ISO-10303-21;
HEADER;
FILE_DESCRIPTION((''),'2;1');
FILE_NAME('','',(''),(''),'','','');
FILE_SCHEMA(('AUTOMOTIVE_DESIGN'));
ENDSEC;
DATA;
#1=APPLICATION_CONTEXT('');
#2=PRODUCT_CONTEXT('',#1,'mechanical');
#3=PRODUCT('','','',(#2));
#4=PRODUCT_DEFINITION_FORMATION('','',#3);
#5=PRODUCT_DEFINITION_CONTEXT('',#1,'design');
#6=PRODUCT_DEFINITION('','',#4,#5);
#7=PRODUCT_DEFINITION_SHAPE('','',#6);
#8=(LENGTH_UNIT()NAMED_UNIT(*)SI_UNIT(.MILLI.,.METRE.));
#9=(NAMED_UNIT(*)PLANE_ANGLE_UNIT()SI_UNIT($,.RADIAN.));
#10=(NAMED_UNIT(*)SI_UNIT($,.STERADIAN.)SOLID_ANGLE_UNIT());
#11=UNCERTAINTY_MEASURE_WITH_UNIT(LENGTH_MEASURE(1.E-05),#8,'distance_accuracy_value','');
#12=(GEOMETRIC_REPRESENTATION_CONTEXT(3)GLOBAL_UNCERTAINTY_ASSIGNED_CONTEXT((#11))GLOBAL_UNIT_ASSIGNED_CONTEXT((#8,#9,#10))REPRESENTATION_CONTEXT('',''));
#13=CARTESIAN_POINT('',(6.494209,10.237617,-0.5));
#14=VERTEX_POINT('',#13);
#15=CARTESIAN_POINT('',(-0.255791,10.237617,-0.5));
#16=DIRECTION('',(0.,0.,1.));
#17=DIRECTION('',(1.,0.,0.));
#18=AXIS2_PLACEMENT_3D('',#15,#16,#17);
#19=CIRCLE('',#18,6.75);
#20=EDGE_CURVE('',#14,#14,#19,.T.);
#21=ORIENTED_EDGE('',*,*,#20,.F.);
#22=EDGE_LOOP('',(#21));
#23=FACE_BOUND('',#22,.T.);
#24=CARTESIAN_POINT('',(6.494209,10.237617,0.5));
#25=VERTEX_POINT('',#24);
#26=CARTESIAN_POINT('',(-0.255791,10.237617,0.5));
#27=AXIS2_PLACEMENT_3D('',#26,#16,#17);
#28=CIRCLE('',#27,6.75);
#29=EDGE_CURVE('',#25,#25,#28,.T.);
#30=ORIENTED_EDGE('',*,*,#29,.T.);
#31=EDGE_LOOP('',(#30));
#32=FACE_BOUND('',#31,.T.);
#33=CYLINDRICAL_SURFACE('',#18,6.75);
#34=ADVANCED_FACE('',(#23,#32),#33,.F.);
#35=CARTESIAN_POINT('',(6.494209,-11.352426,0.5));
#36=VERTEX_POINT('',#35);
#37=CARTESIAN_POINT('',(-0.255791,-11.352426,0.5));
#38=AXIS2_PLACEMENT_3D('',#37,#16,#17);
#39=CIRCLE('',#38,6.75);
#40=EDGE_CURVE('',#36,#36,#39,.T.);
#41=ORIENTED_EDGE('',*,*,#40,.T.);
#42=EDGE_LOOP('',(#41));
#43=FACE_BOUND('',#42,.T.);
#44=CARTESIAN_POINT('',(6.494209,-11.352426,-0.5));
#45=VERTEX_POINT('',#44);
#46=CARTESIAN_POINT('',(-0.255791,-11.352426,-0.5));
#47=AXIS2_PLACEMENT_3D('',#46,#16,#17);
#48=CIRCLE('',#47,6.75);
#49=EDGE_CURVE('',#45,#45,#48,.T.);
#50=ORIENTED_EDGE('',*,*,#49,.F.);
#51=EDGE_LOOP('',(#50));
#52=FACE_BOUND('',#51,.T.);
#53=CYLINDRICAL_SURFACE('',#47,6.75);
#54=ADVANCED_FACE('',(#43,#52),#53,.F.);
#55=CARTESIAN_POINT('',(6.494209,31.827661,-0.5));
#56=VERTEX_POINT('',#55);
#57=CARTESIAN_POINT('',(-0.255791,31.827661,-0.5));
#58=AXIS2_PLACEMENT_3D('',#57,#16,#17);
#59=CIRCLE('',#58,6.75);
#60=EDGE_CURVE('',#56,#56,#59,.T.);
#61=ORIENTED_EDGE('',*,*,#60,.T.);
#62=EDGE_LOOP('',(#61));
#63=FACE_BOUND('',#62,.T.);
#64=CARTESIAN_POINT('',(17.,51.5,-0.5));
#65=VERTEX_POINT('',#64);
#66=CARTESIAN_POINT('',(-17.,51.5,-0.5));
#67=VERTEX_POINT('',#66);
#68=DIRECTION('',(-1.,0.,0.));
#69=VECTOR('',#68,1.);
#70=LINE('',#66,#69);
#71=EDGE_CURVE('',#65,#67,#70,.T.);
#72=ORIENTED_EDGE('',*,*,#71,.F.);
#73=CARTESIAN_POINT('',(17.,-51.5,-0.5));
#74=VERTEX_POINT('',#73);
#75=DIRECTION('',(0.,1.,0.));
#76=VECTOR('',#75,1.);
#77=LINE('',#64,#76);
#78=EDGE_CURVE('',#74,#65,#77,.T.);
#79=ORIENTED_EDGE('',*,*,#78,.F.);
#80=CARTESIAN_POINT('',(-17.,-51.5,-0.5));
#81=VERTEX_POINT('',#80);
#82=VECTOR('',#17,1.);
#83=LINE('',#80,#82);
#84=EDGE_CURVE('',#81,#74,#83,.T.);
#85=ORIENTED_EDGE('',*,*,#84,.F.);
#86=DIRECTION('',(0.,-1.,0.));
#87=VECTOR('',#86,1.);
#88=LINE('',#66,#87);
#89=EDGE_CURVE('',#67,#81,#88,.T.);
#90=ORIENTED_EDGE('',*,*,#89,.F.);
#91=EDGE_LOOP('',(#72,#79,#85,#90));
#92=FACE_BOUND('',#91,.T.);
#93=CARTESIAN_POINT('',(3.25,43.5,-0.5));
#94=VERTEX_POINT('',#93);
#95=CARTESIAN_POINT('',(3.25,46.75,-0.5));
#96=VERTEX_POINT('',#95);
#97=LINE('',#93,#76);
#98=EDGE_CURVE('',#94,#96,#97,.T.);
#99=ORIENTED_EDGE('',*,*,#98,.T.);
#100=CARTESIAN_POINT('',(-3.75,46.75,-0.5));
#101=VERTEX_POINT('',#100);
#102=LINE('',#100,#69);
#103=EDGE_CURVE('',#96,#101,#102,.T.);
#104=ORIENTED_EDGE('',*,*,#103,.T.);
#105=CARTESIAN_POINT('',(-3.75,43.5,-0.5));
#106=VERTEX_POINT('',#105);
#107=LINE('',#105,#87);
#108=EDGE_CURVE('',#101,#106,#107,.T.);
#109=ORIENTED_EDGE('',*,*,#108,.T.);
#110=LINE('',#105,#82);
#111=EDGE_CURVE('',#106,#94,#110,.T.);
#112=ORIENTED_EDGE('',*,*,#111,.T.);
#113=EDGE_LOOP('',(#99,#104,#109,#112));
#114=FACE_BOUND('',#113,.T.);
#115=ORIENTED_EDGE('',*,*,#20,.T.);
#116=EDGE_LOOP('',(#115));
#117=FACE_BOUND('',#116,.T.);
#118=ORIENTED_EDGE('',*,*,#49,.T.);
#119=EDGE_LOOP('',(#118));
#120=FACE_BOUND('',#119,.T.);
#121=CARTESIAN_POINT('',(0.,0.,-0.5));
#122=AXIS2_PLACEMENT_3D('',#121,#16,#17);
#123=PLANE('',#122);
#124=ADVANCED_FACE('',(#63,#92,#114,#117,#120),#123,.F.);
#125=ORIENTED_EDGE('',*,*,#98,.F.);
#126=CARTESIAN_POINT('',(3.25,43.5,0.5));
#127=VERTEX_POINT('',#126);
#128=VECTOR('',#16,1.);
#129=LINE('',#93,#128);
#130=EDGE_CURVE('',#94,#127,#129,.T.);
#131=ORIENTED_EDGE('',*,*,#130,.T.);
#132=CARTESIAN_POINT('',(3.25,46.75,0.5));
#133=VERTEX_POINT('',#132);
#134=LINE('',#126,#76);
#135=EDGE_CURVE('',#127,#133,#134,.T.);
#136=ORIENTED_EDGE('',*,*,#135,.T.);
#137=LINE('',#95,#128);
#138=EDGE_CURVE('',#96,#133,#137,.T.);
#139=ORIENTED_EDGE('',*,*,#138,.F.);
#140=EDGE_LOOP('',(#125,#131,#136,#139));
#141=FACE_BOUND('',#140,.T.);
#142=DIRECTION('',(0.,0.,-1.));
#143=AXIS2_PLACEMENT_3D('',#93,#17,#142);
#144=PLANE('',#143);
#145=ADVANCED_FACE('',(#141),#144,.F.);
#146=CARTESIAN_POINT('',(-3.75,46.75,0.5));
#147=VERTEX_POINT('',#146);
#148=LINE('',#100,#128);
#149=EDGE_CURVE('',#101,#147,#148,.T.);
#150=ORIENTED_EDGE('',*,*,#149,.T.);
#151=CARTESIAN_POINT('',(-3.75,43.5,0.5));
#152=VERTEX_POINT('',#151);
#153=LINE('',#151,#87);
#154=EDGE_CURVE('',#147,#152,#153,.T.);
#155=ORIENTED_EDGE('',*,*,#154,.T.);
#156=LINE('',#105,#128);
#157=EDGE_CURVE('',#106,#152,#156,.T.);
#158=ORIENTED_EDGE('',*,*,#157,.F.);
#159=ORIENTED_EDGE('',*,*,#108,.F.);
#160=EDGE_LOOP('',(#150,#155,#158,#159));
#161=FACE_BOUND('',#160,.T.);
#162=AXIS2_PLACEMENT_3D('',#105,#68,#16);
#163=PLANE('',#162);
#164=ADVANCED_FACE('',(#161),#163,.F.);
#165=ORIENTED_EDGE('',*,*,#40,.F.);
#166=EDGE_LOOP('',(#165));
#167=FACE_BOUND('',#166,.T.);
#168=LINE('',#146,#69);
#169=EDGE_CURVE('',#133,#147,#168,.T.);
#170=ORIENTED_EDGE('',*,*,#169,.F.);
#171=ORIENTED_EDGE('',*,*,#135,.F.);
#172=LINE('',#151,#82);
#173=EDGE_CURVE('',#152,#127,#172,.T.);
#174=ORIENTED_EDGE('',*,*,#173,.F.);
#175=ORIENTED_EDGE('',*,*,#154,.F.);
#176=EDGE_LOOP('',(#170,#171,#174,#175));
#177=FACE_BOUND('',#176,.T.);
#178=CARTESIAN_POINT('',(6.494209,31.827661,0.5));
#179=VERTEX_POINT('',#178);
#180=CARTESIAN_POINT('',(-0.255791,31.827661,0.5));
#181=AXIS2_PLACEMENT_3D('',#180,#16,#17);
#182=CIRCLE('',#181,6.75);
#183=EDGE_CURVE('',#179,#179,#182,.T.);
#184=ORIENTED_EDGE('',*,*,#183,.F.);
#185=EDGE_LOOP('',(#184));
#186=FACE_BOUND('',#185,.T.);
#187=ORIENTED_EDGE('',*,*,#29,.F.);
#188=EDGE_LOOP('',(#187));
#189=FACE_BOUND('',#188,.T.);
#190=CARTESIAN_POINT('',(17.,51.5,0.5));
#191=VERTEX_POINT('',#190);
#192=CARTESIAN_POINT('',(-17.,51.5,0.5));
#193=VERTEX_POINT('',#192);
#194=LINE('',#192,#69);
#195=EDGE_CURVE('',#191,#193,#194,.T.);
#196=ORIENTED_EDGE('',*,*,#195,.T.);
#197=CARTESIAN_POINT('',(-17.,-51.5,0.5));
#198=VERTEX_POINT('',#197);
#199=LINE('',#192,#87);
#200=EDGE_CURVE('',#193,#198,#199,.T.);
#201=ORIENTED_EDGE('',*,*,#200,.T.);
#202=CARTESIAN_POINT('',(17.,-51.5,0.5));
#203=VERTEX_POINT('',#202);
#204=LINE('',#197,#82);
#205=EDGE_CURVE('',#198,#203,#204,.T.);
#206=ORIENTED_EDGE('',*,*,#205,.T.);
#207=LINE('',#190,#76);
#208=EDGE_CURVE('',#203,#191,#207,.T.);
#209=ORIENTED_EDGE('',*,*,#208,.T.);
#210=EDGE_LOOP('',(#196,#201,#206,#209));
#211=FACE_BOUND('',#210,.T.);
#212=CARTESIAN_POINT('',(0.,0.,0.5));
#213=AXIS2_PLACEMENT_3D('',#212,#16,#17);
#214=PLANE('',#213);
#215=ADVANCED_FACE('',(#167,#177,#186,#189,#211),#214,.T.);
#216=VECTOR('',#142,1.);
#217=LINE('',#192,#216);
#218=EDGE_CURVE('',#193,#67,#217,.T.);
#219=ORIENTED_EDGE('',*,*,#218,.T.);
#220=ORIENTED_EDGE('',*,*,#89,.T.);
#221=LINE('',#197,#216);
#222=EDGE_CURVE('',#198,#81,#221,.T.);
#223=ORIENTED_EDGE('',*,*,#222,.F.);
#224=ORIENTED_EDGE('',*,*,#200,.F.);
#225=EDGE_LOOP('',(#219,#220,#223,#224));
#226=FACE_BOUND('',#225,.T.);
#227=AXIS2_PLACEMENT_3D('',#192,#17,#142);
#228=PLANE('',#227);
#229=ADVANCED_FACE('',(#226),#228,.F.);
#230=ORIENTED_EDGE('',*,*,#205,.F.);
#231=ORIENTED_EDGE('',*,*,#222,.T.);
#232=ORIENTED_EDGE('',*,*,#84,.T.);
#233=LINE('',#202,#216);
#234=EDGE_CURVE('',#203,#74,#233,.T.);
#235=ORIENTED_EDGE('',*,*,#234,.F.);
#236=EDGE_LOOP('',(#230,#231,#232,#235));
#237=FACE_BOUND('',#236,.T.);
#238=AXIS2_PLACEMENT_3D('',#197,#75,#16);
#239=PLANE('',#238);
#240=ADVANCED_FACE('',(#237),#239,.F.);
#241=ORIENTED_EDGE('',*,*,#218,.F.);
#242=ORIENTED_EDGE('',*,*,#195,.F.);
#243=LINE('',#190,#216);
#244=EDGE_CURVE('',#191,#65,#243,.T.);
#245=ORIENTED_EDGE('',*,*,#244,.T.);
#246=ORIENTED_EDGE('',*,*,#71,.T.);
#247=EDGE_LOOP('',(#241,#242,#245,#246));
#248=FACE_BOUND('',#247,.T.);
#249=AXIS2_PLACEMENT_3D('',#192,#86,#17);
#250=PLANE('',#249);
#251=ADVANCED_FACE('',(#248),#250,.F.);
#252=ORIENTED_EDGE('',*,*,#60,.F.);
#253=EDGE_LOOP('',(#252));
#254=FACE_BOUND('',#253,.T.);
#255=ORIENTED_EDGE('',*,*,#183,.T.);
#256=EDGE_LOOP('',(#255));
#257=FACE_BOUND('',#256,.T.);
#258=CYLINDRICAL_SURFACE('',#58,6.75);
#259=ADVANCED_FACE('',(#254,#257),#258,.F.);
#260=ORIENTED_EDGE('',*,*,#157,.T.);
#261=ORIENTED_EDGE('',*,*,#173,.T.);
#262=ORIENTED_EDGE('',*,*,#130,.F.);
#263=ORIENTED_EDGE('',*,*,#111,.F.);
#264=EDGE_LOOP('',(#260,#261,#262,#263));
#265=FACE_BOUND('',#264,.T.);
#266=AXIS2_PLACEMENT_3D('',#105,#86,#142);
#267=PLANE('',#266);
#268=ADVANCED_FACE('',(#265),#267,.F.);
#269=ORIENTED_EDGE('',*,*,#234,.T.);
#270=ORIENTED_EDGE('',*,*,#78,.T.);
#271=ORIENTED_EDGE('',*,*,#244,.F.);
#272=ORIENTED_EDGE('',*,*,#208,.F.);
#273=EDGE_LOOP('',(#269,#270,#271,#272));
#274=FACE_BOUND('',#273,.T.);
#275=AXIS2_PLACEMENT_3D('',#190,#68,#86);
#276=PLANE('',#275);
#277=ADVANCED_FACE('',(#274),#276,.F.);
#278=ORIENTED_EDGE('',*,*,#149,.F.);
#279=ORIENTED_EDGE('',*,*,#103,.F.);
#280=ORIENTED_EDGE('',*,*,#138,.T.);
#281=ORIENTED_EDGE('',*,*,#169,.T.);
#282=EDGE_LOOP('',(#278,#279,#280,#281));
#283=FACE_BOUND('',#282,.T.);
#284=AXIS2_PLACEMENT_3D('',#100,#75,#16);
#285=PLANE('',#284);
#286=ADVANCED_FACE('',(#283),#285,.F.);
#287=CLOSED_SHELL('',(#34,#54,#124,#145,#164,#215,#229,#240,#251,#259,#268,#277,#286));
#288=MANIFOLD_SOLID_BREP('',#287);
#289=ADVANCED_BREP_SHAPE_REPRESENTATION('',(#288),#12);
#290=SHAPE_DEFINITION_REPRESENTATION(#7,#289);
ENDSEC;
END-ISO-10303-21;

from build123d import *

# Parameters (mm, degrees)
SKETCH1_W           = 34
SKETCH1_H           = 103
BOSS_EXTRUDE1_DEPTH = 0.5
SKETCH3_R           = 6.75
SKETCH3_W           = 7
SKETCH3_H           = 3.25
CUT_EXTRUDE1_DEPTH  = 55.242511004


with BuildPart() as part:
    # Sketch1 → Boss-Extrude1 (new, symmetric)
    with BuildSketch(Plane.XY):
        Rectangle(SKETCH1_W, SKETCH1_H)
    extrude(amount=BOSS_EXTRUDE1_DEPTH, both=True)

    # Sketch3 → Cut-Extrude1 (cut, through all)
    with BuildSketch(Plane.XY.offset(0.5)):
        with Locations((-0.255791225, 31.827660642)):
            Circle(SKETCH3_R)
        with Locations((-0.255791225, 10.237617462)):
            Circle(SKETCH3_R)
        with Locations((-0.255791225, -11.352425718)):
            Circle(SKETCH3_R)
        with Locations((-0.25, 45.125)):
            Rectangle(SKETCH3_W, SKETCH3_H)
    extrude(amount=-CUT_EXTRUDE1_DEPTH, mode=Mode.SUBTRACT)


solid = part.part
